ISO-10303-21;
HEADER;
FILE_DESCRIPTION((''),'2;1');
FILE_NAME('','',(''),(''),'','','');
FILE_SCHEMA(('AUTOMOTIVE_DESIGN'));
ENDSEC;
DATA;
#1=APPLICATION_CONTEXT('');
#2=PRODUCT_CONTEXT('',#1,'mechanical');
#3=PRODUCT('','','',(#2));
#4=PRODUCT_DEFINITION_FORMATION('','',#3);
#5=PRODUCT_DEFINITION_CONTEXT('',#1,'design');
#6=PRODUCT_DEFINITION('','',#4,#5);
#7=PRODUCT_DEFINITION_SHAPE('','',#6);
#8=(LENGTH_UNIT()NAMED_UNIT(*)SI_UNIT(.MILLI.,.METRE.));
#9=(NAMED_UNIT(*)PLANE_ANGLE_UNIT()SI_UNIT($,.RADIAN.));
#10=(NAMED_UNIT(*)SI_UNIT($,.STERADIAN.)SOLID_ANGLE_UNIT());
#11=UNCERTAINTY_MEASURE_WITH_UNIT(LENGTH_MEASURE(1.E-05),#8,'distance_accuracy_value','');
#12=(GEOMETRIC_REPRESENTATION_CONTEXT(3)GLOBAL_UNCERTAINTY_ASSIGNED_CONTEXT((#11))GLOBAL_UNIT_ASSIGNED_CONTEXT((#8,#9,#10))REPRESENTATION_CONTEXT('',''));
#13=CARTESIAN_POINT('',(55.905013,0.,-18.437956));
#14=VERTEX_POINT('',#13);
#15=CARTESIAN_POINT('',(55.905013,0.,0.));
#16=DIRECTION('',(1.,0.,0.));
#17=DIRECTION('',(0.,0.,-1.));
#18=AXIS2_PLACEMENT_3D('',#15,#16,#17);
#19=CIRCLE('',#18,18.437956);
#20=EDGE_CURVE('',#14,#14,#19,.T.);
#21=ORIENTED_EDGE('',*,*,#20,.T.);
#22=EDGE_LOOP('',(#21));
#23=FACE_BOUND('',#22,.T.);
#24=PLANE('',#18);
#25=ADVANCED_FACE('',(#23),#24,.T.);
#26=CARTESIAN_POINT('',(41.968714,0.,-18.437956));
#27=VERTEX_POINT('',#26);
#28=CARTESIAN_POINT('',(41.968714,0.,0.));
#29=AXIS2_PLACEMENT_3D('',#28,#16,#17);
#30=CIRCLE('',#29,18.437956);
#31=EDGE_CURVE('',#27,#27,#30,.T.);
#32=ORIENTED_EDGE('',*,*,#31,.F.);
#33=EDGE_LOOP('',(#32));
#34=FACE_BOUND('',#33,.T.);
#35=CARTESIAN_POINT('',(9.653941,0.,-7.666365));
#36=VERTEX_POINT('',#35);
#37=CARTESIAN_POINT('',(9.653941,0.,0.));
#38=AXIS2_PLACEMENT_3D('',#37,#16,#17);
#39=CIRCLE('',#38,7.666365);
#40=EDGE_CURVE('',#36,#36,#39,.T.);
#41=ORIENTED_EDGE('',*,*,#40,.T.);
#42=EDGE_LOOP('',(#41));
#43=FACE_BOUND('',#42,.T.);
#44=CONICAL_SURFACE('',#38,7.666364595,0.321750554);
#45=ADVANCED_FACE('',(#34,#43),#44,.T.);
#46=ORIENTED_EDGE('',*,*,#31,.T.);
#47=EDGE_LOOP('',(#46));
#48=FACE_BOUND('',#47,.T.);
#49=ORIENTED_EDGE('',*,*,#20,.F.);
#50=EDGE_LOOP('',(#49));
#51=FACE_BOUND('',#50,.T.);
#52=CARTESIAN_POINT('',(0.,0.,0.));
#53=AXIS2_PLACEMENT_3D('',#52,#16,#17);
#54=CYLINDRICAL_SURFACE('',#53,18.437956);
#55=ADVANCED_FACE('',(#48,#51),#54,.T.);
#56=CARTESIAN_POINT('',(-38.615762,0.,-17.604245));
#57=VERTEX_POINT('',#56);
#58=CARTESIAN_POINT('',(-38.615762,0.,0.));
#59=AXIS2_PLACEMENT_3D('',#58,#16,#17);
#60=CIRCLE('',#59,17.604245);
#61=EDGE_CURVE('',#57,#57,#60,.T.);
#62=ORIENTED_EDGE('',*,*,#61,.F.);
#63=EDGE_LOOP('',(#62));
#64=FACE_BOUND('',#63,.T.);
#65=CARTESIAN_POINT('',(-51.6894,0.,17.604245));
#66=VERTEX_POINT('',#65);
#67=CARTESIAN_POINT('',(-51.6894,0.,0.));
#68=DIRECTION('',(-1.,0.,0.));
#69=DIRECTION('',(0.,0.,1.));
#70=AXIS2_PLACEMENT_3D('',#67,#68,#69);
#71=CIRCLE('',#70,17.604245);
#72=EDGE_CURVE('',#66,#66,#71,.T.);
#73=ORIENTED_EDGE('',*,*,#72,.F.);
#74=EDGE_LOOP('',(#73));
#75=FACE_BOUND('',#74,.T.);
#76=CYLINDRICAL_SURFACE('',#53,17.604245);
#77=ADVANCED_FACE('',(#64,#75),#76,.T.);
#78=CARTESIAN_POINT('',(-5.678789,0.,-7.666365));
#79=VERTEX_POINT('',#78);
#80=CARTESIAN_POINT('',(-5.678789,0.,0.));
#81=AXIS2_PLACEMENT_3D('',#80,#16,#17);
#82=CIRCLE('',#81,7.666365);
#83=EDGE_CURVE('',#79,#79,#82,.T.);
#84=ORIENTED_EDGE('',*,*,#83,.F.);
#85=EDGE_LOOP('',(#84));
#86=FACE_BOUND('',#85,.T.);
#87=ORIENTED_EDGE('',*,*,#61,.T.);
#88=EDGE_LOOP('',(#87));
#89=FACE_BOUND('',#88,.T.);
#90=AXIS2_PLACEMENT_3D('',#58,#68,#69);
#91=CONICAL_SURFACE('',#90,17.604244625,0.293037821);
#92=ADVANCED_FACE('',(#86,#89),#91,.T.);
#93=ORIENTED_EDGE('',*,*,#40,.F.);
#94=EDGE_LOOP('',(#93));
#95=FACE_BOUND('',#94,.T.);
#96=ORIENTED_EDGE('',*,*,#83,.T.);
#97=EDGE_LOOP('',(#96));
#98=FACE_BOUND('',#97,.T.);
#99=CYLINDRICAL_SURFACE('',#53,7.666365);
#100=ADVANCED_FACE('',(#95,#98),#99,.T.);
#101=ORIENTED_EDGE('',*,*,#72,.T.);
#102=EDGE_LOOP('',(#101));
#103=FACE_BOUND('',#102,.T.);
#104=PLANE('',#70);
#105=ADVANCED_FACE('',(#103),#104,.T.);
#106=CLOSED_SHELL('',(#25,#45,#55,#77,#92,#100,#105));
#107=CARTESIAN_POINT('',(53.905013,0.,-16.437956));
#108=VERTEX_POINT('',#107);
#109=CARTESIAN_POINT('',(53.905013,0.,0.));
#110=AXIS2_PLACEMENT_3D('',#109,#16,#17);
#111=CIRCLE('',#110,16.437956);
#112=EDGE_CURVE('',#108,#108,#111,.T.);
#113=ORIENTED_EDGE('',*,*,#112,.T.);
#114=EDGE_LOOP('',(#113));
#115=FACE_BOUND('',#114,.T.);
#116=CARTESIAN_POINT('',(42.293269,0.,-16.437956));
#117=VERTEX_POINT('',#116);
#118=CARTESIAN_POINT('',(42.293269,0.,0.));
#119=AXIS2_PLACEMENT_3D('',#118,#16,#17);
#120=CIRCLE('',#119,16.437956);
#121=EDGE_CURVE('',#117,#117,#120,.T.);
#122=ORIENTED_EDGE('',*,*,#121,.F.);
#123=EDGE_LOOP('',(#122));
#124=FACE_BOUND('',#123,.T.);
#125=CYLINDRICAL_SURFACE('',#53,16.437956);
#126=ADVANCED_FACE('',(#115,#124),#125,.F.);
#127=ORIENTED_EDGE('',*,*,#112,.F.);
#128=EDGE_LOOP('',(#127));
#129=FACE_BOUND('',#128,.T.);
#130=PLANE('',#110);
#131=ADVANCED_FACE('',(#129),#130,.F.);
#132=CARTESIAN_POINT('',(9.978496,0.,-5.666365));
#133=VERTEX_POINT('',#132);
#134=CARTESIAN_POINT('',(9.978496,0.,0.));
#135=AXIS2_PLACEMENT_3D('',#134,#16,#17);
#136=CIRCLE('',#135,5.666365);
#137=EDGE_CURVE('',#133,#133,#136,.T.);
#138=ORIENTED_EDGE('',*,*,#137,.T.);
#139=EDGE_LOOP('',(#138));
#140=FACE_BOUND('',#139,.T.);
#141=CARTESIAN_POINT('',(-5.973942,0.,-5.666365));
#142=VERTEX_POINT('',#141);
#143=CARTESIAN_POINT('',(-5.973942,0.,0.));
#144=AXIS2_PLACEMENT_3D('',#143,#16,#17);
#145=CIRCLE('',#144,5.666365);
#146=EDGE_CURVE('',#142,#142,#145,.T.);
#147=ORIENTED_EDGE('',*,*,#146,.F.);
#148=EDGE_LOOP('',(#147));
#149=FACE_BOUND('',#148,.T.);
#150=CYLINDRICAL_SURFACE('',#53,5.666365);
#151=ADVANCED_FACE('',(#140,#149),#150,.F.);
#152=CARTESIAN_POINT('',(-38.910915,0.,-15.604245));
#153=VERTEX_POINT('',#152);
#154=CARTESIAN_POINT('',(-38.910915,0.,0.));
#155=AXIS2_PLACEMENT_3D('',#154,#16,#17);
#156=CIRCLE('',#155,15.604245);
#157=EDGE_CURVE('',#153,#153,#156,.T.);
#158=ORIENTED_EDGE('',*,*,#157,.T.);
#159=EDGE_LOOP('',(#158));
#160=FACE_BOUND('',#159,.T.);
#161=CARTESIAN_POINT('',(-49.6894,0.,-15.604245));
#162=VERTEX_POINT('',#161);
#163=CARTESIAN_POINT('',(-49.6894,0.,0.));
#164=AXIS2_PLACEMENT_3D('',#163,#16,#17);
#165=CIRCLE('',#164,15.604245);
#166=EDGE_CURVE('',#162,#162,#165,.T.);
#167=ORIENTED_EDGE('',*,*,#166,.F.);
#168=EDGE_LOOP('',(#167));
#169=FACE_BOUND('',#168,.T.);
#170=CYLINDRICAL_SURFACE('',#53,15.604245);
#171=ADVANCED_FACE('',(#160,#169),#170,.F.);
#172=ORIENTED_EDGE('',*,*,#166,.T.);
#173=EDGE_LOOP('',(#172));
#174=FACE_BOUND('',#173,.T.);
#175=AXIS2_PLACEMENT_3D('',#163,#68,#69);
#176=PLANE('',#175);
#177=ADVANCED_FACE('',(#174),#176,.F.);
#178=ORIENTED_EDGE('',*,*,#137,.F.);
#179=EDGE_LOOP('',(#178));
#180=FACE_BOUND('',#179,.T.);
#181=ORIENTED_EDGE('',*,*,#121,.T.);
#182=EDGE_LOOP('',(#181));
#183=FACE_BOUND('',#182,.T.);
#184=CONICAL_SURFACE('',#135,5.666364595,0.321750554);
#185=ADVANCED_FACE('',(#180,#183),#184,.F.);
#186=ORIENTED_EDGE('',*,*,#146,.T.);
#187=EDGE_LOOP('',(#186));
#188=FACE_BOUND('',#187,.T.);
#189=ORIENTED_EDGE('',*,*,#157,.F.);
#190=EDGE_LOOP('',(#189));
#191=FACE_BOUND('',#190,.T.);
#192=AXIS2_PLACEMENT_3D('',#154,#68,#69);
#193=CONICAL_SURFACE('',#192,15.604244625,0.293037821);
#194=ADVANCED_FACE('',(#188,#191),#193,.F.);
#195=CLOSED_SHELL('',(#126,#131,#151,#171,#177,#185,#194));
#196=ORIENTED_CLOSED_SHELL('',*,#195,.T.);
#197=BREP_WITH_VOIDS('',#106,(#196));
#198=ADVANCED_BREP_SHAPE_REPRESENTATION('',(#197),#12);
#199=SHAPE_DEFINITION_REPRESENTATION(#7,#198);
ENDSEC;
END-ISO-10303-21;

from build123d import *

# Parameters (mm, degrees)
SKETCH2_R           = 17.604244625
BOSS_EXTRUDE1_DEPTH = 2
SKETCH3_R           = 18.437955777
BOSS_EXTRUDE2_DEPTH = 2


with BuildPart() as part:
    # Sketch1 → Revolve-Thin2 (revolve)
    with BuildSketch(Plane.XY):
        Polygon((-49.689400151, 17.604244625), (-38.615762403, 17.604244625), (-5.678788589, 7.666364595), (9.653940601, 7.666364595), (41.968714147, 18.437955777), (53.905013296, 18.437955777), (53.905013296, 16.437955777), (42.293269467, 16.437955777), (9.978495921, 5.666364595), (-5.973941532, 5.666364595), (-38.910915347, 15.604244625), (-49.689400151, 15.604244625), align=None)
    revolve(axis=Axis((0, 0, 0), (-1, 0, 0)))

    # Sketch2 → Boss-Extrude1 (add)
    with BuildSketch(Plane.ZY.offset(49.689400151)):
        Circle(SKETCH2_R)
    extrude(amount=BOSS_EXTRUDE1_DEPTH)

    # Sketch3 → Boss-Extrude2 (add)
    with BuildSketch(Plane(origin=(53.905013296, 0, 0), x_dir=(0, 0, -1), z_dir=(1, 0, 0))):
        Circle(SKETCH3_R)
    extrude(amount=BOSS_EXTRUDE2_DEPTH)


solid = part.part
